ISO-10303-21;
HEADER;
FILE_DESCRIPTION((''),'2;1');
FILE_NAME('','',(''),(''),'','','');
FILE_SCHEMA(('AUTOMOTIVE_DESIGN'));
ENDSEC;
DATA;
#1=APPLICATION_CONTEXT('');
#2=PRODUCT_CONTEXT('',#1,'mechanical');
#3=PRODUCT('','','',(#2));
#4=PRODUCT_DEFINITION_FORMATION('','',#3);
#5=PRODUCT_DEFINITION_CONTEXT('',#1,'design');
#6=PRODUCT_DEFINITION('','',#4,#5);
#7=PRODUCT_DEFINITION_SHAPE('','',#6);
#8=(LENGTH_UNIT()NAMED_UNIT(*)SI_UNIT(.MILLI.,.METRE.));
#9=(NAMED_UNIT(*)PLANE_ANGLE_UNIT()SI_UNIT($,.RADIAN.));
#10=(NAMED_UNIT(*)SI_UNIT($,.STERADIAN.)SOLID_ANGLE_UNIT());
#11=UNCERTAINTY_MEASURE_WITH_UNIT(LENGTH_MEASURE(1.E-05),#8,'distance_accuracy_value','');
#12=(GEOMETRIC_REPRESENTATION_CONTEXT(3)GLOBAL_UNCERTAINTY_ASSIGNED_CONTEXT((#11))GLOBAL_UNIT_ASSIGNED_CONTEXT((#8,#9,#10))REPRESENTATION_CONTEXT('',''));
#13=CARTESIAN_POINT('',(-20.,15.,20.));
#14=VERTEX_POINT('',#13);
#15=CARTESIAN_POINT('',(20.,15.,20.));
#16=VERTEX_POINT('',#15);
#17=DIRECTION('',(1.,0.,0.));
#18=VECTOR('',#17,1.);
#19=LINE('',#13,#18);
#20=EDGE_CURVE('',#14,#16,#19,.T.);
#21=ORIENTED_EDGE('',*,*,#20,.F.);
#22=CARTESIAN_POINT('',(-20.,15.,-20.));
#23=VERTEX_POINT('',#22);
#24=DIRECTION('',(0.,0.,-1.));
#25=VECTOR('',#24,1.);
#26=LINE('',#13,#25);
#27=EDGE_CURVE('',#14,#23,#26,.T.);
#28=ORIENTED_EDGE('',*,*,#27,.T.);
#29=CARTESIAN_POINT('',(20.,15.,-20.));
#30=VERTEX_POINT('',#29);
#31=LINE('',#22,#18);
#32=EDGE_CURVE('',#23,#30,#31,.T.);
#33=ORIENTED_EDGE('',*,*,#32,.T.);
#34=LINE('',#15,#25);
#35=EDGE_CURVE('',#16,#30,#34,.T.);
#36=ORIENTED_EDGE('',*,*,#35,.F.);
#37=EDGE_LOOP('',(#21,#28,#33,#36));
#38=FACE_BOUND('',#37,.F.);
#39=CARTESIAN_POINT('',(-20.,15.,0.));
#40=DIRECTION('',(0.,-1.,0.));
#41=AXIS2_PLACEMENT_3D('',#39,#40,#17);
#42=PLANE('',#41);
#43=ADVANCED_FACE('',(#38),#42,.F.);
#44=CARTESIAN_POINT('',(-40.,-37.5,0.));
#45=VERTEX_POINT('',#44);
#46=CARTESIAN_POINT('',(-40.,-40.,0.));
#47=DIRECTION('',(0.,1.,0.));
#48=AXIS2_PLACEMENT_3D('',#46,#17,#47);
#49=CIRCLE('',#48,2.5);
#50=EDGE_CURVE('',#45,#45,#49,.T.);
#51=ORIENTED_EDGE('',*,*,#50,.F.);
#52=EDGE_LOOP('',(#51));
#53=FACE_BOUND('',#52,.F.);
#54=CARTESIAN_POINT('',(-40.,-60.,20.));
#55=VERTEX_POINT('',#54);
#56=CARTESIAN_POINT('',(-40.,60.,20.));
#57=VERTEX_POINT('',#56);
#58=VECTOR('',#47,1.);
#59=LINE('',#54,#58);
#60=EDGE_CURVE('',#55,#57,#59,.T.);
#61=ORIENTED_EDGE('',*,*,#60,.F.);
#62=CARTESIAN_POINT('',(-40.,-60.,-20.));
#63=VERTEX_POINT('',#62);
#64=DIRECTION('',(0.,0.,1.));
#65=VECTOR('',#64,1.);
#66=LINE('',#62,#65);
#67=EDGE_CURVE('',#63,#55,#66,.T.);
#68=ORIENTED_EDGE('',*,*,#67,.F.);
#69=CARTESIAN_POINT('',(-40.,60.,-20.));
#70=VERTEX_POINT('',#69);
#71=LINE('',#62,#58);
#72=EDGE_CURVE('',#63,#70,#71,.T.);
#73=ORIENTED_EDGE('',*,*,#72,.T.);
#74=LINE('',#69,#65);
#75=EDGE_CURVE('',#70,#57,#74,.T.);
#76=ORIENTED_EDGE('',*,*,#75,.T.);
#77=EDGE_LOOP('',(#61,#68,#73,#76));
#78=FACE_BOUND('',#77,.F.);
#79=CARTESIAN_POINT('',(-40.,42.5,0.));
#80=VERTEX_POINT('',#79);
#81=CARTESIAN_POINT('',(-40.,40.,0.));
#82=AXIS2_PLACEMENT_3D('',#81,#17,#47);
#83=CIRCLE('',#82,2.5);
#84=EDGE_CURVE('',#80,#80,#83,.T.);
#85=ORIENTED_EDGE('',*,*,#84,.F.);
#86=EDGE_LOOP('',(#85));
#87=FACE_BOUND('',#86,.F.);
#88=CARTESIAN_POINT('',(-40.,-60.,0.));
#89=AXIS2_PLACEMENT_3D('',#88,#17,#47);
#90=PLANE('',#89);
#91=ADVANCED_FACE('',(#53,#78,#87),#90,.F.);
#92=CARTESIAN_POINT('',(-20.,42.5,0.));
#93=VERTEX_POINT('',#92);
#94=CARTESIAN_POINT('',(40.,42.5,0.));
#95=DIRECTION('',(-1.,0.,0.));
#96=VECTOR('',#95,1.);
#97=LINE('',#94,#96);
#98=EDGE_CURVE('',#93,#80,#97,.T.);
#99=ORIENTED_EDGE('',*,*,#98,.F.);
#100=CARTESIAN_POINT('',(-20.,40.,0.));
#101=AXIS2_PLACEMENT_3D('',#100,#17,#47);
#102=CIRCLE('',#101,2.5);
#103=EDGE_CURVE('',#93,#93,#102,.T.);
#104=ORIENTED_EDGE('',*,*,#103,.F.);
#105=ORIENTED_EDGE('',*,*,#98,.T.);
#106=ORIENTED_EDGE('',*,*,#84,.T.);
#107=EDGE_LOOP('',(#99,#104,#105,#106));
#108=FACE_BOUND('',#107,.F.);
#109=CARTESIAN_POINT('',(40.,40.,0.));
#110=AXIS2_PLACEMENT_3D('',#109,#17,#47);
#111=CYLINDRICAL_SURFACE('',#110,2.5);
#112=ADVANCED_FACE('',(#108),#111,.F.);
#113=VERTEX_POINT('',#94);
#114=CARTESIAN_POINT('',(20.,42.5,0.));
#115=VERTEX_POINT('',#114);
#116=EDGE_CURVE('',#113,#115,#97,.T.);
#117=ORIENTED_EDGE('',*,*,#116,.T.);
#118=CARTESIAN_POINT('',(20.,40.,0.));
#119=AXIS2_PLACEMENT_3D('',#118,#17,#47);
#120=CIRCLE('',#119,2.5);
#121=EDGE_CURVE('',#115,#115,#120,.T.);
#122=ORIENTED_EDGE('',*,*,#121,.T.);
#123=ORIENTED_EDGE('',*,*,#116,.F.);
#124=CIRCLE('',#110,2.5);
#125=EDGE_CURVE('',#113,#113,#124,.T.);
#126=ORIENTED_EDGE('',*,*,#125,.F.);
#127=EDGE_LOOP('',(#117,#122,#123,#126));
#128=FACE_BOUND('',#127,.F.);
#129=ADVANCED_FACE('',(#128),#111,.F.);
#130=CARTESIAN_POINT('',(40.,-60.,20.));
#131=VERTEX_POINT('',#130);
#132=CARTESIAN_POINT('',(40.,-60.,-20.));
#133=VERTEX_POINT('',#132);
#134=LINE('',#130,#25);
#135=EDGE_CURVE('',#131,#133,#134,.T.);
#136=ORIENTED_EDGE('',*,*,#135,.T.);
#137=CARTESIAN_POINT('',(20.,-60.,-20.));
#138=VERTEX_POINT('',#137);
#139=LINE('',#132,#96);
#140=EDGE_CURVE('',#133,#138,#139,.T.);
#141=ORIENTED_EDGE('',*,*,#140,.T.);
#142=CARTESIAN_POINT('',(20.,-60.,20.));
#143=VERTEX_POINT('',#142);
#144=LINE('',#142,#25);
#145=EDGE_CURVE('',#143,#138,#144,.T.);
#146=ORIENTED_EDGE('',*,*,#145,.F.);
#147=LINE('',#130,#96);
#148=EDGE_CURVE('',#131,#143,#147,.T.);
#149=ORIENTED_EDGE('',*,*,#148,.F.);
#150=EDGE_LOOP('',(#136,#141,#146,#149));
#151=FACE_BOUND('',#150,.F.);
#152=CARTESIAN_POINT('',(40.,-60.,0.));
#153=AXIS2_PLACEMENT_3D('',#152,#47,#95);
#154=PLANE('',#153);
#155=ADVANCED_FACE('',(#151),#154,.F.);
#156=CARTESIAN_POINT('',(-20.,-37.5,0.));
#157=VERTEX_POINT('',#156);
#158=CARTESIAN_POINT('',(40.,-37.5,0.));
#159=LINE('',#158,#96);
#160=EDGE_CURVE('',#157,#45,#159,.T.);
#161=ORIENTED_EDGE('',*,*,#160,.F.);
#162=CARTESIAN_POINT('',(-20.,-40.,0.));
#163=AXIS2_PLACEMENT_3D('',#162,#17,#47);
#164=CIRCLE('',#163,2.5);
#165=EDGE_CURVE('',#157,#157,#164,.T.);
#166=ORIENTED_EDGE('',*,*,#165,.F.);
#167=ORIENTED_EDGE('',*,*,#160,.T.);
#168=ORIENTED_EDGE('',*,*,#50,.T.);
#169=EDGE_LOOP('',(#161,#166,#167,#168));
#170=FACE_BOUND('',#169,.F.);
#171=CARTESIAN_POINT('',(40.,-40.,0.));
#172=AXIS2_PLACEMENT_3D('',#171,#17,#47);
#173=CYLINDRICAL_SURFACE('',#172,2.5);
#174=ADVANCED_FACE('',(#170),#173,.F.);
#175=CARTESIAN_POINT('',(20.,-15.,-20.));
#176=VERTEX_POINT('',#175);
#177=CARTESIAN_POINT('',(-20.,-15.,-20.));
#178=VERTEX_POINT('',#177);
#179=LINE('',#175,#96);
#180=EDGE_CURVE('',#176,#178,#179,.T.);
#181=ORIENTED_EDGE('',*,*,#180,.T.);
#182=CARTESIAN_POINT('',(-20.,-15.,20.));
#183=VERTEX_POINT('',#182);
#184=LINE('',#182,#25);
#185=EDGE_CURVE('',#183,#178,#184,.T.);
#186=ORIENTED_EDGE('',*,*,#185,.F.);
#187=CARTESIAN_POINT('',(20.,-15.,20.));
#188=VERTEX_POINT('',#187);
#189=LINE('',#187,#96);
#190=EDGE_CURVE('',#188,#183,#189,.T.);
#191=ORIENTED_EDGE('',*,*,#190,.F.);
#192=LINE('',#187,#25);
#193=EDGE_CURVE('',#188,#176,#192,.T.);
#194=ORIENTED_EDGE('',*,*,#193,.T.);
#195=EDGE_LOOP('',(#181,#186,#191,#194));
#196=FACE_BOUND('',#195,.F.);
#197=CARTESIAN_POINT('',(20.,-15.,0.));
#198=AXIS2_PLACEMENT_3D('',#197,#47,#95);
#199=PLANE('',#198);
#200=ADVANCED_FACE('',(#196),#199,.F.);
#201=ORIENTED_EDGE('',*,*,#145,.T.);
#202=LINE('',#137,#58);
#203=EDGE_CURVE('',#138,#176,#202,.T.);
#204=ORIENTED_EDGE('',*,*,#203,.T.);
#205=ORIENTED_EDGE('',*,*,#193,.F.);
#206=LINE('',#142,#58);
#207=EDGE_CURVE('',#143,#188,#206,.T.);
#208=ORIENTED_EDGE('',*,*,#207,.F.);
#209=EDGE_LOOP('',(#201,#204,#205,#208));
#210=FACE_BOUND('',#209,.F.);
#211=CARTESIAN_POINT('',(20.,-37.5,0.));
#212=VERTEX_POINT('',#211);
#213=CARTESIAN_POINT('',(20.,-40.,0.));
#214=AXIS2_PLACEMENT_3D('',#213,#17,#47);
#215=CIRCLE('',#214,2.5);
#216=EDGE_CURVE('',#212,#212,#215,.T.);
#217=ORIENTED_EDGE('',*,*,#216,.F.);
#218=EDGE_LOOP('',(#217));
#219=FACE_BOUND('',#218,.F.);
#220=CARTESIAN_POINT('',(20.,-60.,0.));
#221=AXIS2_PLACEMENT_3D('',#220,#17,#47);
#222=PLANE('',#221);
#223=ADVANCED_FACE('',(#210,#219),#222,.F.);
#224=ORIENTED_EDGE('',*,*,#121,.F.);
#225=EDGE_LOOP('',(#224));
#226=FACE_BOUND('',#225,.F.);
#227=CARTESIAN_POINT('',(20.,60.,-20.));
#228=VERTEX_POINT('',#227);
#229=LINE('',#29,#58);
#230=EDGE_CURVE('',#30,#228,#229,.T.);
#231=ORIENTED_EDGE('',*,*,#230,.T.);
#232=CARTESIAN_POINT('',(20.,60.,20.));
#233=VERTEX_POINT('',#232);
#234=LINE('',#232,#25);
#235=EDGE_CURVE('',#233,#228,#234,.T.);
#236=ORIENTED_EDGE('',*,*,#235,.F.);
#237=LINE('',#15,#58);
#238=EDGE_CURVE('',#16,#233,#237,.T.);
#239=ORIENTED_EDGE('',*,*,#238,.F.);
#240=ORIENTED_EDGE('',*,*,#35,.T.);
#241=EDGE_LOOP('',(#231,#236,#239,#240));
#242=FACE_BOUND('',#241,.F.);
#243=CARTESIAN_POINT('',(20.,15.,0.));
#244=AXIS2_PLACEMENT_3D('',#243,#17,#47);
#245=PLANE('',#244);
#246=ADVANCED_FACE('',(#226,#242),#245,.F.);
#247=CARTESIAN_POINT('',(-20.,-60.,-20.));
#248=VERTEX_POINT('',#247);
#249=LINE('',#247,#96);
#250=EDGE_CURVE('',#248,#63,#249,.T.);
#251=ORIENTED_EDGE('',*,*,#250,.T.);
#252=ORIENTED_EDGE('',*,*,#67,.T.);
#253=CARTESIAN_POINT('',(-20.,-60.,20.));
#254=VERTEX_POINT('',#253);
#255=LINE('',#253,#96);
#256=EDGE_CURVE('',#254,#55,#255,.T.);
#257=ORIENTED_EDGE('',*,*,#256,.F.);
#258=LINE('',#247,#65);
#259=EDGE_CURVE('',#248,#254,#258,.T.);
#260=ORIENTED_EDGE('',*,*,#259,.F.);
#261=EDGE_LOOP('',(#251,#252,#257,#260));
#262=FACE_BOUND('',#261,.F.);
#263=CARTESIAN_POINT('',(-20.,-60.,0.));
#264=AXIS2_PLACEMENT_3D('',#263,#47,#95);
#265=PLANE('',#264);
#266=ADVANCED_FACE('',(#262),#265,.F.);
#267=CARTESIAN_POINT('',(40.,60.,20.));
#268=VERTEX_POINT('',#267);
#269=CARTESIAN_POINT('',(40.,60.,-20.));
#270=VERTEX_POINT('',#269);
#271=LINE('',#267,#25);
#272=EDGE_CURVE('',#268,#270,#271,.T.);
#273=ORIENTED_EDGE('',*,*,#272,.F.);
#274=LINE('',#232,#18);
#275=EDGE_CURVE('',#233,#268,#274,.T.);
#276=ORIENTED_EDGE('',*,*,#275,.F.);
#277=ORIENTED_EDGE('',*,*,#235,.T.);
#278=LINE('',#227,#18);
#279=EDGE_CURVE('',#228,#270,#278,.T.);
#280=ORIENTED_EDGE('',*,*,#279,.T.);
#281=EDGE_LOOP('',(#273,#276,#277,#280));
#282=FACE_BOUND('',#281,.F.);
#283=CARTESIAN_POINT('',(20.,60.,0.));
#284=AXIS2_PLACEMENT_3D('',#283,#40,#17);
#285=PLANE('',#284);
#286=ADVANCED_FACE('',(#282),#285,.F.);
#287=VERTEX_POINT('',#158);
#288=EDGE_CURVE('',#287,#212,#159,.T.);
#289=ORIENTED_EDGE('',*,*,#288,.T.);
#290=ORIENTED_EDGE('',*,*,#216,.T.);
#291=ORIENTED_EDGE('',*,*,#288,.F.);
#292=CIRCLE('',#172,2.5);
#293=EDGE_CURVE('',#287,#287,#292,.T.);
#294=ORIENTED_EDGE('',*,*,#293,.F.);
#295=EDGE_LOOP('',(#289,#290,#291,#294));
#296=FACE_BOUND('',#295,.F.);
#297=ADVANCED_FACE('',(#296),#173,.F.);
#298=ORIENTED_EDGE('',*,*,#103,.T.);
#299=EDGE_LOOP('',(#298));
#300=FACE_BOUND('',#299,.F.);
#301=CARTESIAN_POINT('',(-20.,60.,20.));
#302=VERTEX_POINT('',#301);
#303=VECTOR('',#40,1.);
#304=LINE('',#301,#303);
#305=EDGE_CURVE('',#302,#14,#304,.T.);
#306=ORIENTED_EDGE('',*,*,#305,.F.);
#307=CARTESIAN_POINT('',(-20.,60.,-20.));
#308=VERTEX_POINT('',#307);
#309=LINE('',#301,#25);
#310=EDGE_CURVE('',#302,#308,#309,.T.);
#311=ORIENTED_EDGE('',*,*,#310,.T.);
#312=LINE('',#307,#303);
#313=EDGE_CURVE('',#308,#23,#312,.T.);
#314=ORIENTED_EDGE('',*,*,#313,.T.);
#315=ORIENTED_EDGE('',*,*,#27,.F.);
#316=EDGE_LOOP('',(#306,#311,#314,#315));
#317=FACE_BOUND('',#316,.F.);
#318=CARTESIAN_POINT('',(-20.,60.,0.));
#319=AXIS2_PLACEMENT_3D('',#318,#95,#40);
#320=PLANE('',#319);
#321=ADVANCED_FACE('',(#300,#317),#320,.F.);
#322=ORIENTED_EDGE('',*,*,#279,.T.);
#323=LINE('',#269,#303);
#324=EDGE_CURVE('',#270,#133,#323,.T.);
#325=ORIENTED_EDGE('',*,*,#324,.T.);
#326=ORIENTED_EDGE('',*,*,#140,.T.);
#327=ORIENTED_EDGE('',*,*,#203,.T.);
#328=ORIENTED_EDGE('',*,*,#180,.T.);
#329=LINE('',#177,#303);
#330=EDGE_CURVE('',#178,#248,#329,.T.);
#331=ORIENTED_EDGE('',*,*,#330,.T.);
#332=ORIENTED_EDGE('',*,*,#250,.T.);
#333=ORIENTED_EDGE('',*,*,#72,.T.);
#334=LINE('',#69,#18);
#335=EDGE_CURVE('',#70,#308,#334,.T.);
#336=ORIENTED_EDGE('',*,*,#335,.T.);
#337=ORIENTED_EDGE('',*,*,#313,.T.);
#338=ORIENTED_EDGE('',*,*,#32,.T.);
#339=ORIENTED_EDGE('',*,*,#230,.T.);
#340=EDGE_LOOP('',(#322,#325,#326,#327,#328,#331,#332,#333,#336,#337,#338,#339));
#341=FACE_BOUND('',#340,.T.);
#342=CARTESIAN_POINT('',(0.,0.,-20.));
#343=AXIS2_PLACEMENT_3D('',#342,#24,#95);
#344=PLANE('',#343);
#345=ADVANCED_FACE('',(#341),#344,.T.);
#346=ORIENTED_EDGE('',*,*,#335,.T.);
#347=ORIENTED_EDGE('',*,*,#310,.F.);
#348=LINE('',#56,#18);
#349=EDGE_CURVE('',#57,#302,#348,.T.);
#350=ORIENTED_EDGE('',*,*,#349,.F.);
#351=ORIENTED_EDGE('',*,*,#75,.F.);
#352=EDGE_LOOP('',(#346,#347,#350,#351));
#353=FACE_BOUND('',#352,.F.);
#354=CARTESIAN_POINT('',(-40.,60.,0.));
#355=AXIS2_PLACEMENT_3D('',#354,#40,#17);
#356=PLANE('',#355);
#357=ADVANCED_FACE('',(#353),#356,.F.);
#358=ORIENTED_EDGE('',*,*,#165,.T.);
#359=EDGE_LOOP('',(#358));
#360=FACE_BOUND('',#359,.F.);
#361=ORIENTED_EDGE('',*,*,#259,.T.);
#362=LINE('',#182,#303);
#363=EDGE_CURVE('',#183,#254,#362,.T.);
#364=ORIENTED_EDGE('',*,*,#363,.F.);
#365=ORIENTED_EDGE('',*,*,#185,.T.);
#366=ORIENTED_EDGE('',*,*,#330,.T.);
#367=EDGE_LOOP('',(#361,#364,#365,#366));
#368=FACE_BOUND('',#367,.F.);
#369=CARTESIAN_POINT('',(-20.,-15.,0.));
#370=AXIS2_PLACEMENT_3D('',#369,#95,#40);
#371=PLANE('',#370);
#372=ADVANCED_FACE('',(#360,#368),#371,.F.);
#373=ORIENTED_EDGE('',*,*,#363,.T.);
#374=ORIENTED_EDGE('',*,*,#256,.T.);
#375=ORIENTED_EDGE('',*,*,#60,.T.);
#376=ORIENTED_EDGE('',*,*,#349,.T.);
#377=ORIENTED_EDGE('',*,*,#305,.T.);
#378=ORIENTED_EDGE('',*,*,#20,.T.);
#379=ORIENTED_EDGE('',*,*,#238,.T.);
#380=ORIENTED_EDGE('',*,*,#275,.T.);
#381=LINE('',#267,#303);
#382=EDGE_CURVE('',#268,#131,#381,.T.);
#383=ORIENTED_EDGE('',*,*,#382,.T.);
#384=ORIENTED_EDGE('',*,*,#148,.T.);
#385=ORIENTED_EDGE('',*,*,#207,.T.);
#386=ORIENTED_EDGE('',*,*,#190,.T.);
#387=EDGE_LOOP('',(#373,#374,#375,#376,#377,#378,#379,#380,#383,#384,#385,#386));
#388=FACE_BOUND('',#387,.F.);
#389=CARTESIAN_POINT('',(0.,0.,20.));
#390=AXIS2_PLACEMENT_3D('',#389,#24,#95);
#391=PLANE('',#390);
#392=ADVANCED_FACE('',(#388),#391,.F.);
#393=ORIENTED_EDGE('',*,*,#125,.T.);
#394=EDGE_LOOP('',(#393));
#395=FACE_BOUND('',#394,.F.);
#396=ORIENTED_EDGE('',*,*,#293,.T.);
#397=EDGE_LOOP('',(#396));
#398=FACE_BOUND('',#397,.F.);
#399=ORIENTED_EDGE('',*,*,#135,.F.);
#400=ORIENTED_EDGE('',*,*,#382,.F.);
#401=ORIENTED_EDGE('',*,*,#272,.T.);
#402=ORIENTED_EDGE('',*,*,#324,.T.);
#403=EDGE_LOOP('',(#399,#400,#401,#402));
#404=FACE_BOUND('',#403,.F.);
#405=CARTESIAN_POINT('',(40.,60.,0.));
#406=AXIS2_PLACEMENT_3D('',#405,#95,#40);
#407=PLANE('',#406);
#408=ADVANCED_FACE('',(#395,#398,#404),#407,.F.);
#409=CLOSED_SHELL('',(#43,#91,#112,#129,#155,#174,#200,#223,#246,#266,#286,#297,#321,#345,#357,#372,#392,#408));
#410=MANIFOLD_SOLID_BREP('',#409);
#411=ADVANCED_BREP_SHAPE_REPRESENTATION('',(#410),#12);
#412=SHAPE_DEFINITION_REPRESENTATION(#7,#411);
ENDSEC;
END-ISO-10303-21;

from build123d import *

# Parameters (mm, degrees)
PAD_DEPTH         = 20
SKETCH001_R       = 2.5
POCKET_DEPTH      = 80.001
POCKET_DEPTH_BACK = -0.001


with BuildPart() as part:
    # Sketch → Pad (new body, symmetric)
    with BuildSketch(Plane.XY):
        Polygon((-40, 60), (-20, 60), (-20, 15), (20, 15), (20, 60), (40, 60), (40, -60), (20, -60), (20, -15), (-20, -15), (-20, -60), (-40, -60), align=None)
    extrude(amount=PAD_DEPTH, both=True)

    # Sketch001 → Pocket (cut, two sides)
    with BuildSketch(Plane.YZ.offset(40)) as pocket_sk:
        with Locations((-40, 0)):
            Circle(SKETCH001_R)
        with Locations((40, 0)):
            Circle(SKETCH001_R)
    extrude(amount=-POCKET_DEPTH, mode=Mode.SUBTRACT)
    extrude(pocket_sk.sketch, amount=-POCKET_DEPTH_BACK, mode=Mode.SUBTRACT)


solid = part.part
